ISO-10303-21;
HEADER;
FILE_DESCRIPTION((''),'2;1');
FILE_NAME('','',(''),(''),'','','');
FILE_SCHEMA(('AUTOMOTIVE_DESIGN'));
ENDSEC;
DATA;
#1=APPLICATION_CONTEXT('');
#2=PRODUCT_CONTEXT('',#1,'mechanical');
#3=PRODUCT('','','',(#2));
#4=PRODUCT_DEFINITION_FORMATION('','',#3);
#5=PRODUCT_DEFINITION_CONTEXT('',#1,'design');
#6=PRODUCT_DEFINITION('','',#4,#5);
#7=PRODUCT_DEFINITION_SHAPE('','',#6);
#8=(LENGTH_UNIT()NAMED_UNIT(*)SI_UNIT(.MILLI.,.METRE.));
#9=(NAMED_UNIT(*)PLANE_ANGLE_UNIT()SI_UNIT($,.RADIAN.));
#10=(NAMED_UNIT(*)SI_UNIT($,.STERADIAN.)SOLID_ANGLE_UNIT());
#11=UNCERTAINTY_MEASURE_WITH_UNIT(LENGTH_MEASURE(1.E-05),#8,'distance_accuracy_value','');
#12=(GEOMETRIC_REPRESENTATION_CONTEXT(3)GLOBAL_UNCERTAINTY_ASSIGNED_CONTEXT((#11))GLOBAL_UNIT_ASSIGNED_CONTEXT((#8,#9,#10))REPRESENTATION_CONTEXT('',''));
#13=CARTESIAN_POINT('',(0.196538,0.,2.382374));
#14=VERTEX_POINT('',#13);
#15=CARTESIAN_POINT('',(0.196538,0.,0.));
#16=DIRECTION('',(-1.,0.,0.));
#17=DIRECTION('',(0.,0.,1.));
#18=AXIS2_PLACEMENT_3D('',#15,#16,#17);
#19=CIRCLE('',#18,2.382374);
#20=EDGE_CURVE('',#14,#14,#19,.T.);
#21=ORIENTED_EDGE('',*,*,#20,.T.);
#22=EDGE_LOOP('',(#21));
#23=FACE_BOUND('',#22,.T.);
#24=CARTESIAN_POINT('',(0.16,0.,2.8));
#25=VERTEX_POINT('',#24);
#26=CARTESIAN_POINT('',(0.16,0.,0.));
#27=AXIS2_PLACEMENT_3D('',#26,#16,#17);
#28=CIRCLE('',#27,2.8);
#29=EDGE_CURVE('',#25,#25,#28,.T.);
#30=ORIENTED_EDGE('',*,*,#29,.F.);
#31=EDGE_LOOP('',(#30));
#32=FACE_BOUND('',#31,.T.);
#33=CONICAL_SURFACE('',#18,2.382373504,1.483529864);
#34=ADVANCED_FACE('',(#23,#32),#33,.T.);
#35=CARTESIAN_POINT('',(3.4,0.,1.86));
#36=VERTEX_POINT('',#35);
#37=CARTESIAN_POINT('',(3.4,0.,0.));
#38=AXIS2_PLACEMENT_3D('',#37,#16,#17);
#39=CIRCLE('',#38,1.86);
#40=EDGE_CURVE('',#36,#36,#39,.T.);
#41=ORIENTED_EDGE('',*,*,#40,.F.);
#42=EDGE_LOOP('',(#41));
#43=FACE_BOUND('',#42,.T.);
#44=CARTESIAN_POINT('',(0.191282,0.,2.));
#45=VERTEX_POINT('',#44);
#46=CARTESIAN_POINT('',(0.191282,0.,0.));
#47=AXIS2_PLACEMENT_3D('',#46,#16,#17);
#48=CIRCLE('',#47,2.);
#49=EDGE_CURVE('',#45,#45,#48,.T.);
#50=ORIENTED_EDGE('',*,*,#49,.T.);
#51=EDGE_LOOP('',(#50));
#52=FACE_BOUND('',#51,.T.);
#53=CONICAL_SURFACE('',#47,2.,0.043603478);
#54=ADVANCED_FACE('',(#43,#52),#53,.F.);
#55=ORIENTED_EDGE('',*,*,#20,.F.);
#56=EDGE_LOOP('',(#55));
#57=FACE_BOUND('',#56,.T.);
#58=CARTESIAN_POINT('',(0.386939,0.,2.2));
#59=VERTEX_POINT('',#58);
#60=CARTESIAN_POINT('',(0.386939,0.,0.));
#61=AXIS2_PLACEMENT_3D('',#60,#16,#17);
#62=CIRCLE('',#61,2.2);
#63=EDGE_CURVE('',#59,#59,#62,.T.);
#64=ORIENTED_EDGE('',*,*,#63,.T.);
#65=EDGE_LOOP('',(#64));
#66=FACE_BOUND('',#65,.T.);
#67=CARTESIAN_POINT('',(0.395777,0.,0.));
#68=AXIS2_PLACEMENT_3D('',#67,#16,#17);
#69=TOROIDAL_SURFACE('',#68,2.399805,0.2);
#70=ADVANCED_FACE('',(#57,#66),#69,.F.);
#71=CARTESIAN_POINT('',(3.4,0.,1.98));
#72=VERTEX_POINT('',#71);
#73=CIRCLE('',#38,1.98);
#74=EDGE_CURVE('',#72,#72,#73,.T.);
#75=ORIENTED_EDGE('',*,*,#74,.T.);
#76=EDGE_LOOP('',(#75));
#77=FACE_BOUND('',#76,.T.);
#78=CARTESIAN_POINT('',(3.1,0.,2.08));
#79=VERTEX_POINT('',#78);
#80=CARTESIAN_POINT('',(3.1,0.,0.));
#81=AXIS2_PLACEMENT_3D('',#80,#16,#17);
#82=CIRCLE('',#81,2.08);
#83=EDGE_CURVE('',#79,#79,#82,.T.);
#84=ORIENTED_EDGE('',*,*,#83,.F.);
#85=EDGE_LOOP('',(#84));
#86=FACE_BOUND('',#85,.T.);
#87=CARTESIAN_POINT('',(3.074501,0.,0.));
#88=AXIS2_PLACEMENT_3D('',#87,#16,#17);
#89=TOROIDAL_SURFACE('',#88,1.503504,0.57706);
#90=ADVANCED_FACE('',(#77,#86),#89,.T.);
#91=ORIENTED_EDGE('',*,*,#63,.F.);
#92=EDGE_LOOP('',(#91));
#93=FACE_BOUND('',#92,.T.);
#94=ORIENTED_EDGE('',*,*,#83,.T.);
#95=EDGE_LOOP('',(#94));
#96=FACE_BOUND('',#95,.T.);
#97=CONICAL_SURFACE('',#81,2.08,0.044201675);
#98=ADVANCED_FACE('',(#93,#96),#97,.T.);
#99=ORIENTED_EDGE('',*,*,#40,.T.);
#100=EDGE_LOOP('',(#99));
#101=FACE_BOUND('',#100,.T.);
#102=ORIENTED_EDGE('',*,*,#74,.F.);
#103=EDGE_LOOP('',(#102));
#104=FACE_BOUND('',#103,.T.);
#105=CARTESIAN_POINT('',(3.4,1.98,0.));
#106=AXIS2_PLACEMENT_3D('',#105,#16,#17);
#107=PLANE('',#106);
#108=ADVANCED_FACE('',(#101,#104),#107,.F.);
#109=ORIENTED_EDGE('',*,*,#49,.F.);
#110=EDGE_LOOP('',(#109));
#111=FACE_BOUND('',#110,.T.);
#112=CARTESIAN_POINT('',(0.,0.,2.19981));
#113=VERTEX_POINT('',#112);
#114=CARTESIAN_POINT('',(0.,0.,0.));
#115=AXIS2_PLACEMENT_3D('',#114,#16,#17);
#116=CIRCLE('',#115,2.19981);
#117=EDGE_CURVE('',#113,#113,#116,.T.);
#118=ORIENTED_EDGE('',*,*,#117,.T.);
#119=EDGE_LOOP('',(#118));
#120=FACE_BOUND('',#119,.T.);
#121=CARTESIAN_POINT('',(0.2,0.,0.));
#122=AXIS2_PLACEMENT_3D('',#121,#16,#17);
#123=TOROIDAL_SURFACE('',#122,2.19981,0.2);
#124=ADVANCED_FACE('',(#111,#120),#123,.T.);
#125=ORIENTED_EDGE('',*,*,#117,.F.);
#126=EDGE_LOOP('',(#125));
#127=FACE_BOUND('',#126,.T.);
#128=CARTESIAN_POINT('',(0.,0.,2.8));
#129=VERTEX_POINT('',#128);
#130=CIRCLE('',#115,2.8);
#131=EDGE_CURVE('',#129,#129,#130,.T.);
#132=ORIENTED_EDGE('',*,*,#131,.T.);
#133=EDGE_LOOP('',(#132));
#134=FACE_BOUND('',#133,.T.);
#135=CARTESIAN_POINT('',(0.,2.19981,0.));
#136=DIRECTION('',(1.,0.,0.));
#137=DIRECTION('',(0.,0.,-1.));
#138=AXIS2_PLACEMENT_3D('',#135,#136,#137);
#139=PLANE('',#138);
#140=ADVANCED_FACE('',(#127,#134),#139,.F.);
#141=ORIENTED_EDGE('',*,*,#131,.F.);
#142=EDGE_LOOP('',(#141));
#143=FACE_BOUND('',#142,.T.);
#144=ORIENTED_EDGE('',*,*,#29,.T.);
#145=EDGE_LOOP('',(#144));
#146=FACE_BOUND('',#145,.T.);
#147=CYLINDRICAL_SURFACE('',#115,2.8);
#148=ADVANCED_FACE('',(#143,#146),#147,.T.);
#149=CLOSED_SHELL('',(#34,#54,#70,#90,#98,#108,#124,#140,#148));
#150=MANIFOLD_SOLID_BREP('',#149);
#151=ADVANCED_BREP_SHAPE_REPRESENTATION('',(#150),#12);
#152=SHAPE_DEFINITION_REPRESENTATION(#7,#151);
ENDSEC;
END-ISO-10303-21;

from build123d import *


with BuildPart() as part:
    # Esboço1 → Revolução1 (revolve)
    with BuildSketch(Plane.XY, mode=Mode.PRIVATE) as revolu_o1_sk:
        with BuildLine():
            Line((0, 2.199809904), (0, 2.8))
            Line((0, 2.8), (0.16, 2.8))
            Line((0.16, 2.8), (0.196537584, 2.382373504))
            ThreePointArc((0.196537584, 2.382373504), (0.257432856, 2.255371175), (0.386939067, 2.2))
            Line((0.386939067, 2.2), (3.1, 2.08))
            ThreePointArc((3.1, 2.08), (3.256983611, 2.050950832), (3.4, 1.98))
            Line((3.4, 1.98), (3.4, 1.86))
            Line((3.4, 1.86), (0.191282067, 2))
            ThreePointArc((0.191282067, 2), (0.055529265, 2.061505143), (0, 2.199809904))
        make_face()
    revolve(revolu_o1_sk.sketch.rotate(Axis((0, 0, 0), (1, 0, 0)), 90), axis=Axis((0, 0, 0), (1, 0, 0)))


solid = part.part
